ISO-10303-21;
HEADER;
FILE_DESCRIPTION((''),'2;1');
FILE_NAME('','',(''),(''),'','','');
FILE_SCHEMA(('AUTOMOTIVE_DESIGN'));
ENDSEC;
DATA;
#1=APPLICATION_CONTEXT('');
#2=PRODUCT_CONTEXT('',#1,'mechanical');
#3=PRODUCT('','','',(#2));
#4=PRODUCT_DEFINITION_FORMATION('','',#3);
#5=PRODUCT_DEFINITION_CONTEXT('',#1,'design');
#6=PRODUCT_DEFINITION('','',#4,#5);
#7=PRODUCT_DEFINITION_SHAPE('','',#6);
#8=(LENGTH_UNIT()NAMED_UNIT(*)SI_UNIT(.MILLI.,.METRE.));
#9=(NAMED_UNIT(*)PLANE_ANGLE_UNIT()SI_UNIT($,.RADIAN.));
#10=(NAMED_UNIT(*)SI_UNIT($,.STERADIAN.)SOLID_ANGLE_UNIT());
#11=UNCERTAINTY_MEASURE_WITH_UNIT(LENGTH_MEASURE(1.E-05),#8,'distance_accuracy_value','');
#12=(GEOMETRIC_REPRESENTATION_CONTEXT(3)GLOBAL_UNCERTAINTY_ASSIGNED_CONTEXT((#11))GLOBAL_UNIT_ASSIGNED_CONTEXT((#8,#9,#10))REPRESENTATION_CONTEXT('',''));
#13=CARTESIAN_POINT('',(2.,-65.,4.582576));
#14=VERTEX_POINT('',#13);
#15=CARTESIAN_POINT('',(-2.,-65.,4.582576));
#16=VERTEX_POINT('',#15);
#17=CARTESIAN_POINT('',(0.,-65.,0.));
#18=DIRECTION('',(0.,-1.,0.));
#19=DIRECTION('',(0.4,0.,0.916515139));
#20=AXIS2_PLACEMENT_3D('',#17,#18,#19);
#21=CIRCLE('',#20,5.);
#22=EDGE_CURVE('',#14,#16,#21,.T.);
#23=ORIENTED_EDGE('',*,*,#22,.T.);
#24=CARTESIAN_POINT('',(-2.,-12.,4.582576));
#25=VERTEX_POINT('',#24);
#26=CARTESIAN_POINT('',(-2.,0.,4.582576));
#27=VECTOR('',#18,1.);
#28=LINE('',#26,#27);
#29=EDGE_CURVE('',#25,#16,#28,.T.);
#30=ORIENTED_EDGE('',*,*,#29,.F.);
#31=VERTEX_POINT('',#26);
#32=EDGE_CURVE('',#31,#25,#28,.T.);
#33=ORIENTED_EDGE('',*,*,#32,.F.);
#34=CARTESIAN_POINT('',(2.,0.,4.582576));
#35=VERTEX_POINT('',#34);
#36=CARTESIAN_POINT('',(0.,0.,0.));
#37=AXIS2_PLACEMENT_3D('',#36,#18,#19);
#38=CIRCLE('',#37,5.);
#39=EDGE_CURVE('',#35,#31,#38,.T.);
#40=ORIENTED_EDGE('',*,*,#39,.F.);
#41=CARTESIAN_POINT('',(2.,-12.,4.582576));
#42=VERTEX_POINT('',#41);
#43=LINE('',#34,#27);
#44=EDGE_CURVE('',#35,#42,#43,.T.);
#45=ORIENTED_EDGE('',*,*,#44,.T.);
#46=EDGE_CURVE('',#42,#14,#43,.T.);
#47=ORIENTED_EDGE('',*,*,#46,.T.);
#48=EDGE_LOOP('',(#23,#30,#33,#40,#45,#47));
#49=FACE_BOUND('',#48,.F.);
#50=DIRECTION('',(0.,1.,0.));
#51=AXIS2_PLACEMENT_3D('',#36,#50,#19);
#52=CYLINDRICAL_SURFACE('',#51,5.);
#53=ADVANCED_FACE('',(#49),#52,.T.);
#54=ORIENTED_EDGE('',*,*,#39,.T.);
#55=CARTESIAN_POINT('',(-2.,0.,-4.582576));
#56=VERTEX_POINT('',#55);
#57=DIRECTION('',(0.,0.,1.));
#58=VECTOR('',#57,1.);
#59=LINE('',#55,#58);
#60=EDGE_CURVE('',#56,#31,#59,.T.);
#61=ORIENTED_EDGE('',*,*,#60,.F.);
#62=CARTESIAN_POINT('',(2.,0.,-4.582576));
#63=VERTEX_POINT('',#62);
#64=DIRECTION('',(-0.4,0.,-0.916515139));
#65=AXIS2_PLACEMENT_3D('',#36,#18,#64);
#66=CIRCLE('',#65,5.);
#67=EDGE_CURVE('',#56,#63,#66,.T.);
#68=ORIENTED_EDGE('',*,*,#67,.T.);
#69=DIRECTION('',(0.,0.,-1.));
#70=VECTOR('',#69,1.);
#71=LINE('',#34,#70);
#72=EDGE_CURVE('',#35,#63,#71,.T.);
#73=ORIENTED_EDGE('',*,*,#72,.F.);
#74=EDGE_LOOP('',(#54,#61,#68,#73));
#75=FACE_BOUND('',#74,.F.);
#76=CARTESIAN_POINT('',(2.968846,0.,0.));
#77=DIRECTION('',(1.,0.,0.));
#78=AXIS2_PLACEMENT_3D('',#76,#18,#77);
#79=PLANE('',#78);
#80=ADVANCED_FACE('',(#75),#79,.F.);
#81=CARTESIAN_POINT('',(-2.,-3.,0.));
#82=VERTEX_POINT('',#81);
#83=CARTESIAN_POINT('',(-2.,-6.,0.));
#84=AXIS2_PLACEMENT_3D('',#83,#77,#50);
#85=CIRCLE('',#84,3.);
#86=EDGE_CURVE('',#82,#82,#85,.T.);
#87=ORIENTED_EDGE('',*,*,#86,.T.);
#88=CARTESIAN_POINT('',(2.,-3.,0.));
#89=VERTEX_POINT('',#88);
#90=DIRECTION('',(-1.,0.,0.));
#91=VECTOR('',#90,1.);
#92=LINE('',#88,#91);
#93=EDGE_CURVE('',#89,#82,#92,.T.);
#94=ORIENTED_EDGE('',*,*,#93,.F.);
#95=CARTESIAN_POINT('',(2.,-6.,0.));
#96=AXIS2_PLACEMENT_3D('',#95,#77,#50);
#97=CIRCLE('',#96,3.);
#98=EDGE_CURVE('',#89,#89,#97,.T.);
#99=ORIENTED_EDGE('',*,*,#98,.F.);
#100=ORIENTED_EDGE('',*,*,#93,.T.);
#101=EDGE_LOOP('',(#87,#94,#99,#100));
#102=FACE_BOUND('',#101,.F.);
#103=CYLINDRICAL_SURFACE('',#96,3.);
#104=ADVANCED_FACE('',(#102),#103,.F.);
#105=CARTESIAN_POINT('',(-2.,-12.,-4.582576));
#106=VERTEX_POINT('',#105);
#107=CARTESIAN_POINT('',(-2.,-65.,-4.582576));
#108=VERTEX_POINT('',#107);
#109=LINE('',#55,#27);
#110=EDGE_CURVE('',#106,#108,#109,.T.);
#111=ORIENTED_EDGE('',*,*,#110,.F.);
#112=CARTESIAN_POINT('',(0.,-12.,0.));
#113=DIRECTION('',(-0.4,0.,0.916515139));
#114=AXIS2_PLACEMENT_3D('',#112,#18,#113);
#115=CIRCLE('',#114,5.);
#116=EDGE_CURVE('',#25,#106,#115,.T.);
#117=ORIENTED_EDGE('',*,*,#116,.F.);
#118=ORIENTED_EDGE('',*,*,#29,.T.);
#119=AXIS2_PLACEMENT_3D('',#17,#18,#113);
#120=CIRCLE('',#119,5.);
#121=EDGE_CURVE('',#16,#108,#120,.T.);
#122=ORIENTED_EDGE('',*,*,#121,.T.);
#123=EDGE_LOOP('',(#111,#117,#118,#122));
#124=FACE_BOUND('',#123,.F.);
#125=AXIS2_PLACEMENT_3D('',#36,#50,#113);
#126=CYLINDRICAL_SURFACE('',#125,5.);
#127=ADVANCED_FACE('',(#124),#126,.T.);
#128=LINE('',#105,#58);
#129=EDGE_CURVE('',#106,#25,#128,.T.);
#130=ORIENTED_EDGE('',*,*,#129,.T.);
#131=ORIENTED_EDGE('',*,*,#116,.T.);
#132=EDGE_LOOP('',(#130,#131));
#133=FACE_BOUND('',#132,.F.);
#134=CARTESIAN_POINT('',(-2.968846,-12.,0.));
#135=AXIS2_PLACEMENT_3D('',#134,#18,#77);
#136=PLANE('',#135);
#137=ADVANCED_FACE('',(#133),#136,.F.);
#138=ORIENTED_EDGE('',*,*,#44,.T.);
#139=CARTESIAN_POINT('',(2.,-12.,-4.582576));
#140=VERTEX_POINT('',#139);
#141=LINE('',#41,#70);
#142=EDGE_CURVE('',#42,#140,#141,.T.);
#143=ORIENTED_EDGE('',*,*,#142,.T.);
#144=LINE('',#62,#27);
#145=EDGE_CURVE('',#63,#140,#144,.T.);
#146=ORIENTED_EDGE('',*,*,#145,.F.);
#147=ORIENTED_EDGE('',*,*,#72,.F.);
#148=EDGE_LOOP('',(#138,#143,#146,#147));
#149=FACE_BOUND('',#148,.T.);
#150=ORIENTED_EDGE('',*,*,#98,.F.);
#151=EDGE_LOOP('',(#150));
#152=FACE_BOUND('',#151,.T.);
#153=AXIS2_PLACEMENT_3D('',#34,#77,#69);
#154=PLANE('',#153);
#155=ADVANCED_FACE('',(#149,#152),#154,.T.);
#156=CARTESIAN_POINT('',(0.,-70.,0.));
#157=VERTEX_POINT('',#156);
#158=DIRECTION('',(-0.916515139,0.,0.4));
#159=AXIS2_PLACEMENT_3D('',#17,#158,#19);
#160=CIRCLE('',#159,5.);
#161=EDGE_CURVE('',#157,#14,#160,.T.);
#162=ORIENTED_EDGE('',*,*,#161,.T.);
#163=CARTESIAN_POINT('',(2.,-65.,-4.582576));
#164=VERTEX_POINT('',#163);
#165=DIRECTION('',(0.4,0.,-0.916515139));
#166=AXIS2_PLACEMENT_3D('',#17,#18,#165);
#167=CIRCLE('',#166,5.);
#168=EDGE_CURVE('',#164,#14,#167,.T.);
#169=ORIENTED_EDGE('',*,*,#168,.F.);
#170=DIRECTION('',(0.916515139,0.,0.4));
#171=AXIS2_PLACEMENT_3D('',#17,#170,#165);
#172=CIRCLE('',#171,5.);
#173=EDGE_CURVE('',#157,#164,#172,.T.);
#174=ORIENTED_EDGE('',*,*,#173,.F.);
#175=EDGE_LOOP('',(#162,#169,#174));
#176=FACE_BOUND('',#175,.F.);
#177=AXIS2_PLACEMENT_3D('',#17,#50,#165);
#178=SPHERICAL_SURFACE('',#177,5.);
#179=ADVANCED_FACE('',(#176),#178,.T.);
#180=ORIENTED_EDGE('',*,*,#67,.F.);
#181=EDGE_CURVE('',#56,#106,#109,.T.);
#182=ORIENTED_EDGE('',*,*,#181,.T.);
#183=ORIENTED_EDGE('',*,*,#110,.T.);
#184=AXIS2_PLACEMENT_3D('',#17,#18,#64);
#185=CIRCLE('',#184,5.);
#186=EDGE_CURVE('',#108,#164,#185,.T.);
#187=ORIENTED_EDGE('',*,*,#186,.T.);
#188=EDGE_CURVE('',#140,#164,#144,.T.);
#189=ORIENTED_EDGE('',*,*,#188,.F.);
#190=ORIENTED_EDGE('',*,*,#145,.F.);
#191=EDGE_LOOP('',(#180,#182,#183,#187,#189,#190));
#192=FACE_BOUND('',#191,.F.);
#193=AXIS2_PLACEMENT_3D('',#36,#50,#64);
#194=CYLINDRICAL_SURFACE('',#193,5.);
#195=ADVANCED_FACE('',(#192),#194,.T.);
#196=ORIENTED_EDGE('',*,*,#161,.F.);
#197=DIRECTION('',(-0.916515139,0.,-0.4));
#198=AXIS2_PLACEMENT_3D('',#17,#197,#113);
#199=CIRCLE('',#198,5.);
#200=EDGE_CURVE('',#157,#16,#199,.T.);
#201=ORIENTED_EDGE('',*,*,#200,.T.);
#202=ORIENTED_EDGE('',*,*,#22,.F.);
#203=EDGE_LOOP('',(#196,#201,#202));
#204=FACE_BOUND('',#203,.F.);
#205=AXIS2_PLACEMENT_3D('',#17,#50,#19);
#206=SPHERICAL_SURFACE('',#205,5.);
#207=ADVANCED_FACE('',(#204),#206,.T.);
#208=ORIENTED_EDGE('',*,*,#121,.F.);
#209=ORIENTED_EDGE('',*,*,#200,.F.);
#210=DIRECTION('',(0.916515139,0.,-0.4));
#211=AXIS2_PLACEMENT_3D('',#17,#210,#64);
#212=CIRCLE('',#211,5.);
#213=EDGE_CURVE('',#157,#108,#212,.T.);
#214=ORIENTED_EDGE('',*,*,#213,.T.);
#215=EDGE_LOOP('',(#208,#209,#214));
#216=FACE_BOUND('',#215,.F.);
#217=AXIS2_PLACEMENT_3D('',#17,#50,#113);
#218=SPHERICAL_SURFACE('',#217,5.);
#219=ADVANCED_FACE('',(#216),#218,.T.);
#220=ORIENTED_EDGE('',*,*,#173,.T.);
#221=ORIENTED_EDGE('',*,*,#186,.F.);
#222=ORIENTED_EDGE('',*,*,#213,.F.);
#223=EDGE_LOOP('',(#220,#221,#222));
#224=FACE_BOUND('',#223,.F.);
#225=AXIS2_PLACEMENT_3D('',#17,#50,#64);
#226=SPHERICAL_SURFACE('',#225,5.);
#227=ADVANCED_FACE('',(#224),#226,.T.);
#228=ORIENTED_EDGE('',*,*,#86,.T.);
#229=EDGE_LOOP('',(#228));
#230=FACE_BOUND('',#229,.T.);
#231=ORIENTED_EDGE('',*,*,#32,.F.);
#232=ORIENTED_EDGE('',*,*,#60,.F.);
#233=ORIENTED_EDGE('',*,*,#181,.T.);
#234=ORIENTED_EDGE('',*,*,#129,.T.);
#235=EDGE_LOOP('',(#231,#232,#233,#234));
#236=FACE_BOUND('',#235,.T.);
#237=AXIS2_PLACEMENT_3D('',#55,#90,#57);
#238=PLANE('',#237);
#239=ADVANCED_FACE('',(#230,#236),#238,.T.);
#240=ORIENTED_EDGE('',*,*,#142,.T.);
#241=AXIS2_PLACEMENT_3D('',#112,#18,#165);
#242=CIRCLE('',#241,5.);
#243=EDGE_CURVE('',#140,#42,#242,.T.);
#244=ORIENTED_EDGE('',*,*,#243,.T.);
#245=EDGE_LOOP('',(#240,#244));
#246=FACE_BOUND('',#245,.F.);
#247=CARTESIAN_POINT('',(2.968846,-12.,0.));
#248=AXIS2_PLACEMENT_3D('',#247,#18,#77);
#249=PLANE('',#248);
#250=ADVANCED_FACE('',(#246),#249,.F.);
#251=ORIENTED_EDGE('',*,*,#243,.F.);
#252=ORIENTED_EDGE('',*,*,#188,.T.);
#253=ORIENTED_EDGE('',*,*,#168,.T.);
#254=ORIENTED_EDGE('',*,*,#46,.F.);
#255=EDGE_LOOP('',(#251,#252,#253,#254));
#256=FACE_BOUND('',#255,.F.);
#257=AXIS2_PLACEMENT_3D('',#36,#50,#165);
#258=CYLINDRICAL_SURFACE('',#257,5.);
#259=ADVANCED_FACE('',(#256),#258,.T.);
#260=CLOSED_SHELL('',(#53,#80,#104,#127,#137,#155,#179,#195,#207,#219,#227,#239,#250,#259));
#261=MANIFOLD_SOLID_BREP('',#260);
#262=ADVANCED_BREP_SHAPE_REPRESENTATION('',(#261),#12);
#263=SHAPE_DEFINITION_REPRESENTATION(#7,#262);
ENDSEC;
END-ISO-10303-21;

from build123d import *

# Parameters (mm, degrees)
F1_DEPTH = 70
F2_DEPTH = 12
F3_R     = 3
F4_DEPTH = 25
F5_R     = 5


with BuildPart() as f1:
    # F0 (on Front) → F1 (new body)
    with BuildSketch(Plane.XZ):
        with BuildLine():
            ThreePointArc((2, -4.582575695), (4.1833001327, -2.7386127875), (5, 0))
            ThreePointArc((5, 0), (4.1833001327, 2.7386127875), (2, 4.582575695))
            Line((2, 4.582575695), (2, -4.582575695))
        make_face()
        with BuildLine():
            Line((2, -4.582575695), (2, 4.582575695))
            ThreePointArc((2, 4.582575695), (0, 5), (-2, 4.582575695))
            Line((-2, 4.582575695), (-2, -4.582575695))
            ThreePointArc((-2, -4.582575695), (0, -5), (2, -4.582575695))
        make_face()
        with BuildLine():
            Line((-2, -4.582575695), (-2, 4.582575695))
            ThreePointArc((-2, 4.582575695), (-5, 0), (-2, -4.582575695))
        make_face()
    extrude(amount=F1_DEPTH)

    # F0 (on Front) → F2 (cut)
    with BuildSketch(Plane.XZ):
        with BuildLine():
            Line((-2, -4.582575695), (-2, 4.582575695))
            ThreePointArc((-2, 4.582575695), (-5, 0), (-2, -4.582575695))
        make_face()
        with BuildLine():
            ThreePointArc((2, -4.582575695), (4.1833001327, -2.7386127875), (5, 0))
            ThreePointArc((5, 0), (4.1833001327, 2.7386127875), (2, 4.582575695))
            Line((2, 4.582575695), (2, -4.582575695))
        make_face()
    extrude(amount=F2_DEPTH, mode=Mode.SUBTRACT)

    # F3 (on face) → F4 (cut)
    with BuildSketch(Plane.YZ.offset(2)):
        with Locations((-6, 0)):
            Circle(F3_R)
    extrude(amount=-F4_DEPTH, mode=Mode.SUBTRACT)

    # F5
    f5_edges = [f1.edges().sort_by_distance(p)[0] for p in [
        (2, -70, -4.582576),
    ]]
    fillet(f5_edges, radius=F5_R)


solid = f1.part
